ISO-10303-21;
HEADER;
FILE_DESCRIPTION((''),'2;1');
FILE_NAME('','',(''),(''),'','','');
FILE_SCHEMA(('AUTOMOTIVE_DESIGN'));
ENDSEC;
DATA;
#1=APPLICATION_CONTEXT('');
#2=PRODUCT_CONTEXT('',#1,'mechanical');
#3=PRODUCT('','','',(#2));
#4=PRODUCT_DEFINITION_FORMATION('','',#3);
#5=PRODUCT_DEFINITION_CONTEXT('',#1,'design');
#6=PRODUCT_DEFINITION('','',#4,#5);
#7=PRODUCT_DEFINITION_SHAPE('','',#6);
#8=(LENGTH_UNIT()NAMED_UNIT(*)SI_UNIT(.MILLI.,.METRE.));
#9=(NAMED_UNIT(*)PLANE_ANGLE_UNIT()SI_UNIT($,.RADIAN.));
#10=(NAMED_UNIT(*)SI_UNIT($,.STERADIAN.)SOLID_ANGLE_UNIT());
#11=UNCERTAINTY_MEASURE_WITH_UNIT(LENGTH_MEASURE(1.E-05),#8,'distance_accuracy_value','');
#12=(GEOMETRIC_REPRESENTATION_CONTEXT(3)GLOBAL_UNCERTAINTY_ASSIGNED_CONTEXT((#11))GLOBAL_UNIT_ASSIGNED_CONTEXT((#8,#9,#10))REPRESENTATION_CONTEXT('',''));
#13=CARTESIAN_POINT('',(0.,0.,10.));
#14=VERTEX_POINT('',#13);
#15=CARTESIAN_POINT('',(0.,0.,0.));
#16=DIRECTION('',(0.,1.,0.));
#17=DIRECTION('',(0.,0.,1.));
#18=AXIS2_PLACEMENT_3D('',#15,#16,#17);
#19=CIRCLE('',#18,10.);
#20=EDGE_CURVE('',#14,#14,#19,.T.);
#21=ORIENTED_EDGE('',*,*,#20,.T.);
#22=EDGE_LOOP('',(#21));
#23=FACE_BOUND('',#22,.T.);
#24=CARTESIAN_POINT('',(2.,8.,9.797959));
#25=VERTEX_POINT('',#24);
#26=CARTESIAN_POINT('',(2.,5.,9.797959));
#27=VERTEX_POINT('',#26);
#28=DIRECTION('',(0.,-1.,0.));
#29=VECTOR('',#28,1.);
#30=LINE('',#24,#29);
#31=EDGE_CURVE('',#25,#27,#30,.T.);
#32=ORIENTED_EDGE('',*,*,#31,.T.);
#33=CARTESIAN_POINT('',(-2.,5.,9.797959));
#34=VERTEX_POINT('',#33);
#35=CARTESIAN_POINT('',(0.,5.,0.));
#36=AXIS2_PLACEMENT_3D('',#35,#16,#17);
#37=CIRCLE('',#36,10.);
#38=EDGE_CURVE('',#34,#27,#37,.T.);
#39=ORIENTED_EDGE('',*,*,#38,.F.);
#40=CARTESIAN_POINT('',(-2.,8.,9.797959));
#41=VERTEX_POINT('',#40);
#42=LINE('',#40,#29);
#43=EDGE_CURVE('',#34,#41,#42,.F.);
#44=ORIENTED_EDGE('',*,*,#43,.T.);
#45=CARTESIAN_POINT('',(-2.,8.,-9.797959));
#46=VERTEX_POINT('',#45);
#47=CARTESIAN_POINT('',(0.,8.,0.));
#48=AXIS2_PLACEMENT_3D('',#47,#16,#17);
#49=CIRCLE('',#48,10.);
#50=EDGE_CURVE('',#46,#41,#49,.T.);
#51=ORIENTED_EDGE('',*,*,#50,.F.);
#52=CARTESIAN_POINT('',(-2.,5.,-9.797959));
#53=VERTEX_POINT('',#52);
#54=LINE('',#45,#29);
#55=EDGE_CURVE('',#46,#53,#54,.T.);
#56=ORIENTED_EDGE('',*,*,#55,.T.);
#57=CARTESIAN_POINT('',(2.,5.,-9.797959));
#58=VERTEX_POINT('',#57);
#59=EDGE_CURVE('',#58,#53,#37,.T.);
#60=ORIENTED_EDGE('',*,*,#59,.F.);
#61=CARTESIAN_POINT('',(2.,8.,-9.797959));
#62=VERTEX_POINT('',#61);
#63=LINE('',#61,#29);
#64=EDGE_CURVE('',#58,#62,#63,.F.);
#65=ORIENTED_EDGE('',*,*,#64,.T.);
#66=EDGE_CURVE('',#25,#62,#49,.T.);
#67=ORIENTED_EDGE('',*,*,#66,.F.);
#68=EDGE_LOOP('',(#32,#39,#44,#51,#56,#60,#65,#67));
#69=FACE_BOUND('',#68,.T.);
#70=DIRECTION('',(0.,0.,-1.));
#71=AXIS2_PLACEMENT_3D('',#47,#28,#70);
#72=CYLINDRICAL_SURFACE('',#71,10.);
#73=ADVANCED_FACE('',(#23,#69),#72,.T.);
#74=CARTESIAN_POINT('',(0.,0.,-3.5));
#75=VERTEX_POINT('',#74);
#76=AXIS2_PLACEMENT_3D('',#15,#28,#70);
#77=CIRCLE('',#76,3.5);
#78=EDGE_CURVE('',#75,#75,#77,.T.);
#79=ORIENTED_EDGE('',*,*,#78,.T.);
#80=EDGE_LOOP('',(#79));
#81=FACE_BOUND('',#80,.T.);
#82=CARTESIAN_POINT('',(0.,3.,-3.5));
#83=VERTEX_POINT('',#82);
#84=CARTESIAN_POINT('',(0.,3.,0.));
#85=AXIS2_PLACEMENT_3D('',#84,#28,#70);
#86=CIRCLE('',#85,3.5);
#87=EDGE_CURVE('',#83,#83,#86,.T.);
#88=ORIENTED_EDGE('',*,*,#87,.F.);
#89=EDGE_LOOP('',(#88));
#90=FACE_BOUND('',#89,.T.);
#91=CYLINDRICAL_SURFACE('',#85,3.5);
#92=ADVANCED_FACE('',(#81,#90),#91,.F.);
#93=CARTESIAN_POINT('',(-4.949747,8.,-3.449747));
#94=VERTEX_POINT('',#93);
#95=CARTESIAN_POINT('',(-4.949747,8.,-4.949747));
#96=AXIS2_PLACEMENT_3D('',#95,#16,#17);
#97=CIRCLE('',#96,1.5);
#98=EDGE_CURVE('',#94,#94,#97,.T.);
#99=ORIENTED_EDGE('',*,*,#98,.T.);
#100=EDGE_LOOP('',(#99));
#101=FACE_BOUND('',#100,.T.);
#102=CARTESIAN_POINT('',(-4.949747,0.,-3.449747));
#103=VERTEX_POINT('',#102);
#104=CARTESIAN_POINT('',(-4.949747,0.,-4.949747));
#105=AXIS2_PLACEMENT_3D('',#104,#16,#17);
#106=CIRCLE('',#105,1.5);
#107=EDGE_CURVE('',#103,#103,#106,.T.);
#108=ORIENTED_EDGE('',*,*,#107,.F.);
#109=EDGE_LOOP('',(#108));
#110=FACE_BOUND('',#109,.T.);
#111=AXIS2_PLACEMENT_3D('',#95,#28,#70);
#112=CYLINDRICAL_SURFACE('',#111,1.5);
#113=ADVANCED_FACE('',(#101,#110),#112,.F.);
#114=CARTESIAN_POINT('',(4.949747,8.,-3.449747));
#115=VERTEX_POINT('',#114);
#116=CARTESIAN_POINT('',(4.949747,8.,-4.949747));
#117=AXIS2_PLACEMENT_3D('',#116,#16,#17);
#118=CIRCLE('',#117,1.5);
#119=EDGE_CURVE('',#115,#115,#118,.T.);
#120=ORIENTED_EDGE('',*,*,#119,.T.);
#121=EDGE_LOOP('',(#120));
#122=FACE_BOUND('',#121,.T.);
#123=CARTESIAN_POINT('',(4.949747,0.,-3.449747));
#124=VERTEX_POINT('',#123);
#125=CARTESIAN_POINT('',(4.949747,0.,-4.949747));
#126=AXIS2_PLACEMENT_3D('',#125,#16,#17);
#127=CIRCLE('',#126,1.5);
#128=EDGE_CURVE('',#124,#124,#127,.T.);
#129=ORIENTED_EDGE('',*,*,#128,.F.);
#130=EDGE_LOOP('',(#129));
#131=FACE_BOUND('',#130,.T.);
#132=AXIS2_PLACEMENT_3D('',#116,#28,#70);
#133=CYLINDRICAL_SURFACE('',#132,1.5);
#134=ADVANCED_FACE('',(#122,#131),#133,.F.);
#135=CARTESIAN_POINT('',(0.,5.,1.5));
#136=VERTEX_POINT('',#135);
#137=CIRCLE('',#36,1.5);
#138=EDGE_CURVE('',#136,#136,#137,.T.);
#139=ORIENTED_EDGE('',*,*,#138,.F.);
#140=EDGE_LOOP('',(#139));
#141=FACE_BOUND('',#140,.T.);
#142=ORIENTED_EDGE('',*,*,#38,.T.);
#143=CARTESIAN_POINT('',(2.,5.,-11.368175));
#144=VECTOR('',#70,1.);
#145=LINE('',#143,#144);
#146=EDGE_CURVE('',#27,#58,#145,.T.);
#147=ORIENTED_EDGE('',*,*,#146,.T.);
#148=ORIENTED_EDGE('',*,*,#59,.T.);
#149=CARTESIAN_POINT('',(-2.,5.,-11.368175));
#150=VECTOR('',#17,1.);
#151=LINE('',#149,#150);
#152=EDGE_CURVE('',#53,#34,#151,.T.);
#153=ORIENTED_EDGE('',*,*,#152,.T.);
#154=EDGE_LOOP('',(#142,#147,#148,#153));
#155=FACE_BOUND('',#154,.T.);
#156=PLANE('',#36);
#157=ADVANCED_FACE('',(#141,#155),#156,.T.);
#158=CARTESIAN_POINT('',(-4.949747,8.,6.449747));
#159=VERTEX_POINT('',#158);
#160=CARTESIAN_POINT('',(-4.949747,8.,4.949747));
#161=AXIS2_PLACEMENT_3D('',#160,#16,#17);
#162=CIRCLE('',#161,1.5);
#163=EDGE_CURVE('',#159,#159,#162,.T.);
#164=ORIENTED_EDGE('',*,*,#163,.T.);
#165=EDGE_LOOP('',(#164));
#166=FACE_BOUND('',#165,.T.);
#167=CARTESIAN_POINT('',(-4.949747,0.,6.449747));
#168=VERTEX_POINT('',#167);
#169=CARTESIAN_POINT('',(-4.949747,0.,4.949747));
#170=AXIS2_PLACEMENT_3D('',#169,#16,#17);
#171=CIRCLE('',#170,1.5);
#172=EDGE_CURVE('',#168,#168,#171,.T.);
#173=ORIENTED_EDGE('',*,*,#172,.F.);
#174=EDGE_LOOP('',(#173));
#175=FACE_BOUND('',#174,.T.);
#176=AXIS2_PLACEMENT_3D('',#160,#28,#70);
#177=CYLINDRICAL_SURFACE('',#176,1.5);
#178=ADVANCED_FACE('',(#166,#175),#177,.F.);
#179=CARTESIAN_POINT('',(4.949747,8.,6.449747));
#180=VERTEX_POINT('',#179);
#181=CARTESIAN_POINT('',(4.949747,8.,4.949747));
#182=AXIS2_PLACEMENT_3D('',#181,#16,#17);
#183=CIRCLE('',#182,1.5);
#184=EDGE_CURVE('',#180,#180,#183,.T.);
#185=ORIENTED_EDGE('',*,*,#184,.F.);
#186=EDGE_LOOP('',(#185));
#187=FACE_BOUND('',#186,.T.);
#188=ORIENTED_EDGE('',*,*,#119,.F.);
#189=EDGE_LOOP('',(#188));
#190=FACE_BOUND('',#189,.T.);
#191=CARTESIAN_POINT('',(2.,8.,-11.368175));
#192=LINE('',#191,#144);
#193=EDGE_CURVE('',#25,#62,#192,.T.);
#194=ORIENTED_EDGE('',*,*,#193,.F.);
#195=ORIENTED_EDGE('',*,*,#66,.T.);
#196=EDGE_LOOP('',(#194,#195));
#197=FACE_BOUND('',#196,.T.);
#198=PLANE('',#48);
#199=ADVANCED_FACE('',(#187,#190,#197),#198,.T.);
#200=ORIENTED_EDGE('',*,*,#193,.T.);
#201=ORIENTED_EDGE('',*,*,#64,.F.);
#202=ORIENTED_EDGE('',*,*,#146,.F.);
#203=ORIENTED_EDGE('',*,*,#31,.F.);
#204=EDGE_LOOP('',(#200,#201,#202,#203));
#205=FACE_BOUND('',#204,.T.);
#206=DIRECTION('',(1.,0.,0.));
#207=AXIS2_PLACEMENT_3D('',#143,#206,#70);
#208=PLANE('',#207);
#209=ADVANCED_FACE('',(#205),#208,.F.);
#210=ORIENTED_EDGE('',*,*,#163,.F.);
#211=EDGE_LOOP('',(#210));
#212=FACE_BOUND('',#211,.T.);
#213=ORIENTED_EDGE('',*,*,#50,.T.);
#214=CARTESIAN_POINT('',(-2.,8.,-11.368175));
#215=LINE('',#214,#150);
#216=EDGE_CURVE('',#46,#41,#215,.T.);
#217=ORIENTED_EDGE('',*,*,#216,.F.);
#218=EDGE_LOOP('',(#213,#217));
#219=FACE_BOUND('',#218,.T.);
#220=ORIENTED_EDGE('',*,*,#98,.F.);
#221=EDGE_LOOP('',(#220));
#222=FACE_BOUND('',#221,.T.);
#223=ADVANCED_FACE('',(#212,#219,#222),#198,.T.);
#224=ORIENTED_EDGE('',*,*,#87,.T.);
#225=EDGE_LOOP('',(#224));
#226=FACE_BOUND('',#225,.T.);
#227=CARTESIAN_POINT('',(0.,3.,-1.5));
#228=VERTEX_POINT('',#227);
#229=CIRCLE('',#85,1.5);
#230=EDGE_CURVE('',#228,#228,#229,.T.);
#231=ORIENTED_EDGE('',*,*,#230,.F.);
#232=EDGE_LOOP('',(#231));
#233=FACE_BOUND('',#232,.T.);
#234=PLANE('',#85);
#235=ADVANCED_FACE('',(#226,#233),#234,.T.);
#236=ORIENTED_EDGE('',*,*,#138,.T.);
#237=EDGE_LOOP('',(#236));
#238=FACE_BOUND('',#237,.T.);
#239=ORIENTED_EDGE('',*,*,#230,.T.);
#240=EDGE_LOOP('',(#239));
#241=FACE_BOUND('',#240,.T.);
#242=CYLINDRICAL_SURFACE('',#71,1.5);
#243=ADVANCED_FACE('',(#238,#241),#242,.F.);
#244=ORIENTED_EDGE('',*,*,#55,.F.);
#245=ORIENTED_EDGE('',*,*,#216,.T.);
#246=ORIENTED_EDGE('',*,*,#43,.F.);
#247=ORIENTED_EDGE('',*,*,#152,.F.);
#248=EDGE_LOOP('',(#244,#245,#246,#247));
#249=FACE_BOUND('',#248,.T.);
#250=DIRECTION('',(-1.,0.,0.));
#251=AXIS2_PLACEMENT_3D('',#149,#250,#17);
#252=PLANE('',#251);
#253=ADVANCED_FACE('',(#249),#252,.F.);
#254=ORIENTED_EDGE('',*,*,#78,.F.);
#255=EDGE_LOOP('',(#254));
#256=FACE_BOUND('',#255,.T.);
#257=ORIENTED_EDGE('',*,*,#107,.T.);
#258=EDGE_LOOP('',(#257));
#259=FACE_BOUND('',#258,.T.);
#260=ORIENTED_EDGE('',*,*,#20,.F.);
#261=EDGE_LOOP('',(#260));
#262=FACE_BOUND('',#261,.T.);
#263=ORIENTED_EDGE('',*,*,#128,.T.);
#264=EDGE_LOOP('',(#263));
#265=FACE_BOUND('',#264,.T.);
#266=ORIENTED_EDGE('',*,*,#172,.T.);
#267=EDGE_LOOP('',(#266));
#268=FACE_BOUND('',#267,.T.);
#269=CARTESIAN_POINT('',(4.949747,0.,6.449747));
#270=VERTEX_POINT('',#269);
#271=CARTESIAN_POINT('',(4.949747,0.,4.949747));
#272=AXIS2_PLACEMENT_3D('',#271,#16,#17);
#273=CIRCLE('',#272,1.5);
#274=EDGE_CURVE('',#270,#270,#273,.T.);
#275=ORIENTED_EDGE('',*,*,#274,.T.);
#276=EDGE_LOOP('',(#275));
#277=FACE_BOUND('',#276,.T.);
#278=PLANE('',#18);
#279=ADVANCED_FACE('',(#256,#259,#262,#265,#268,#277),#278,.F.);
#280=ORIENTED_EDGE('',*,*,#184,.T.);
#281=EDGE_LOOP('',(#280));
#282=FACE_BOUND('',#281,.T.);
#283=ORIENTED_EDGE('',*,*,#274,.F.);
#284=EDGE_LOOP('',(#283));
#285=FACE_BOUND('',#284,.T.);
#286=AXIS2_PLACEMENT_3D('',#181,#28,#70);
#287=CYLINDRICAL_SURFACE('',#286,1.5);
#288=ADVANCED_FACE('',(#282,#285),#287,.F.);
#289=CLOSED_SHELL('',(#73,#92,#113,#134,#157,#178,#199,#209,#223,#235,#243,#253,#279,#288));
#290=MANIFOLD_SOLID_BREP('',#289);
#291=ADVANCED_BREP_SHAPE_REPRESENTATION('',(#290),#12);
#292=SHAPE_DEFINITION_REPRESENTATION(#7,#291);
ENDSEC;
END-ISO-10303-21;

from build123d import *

# Parameters (mm, degrees)
SKIZZE1_R                       = 10
SKIZZE1_R_2                     = 1.5
AUFSATZ_LINEAR_AUSTRAGEN1_DEPTH = 8
SKIZZE2_W                       = 4
SKIZZE2_H                       = 22.736350236
SCHNITT_LINEAR_AUSTRAGEN1_DEPTH = 3
SKIZZE3_R                       = 3.5
SCHNITT_LINEAR_AUSTRAGEN2_DEPTH = 3


with BuildPart() as part:
    # Skizze1 → Aufsatz-Linear austragen1 (new body)
    with BuildSketch(Plane(origin=(0, 0, 0), x_dir=(1, 0, 0), z_dir=(0, 1, 0))):
        Circle(SKIZZE1_R)
        with Locations((4.949747468, 4.949747468)):
            Circle(SKIZZE1_R_2, mode=Mode.SUBTRACT)
        with Locations((-4.949747468, 4.949747468)):
            Circle(SKIZZE1_R_2, mode=Mode.SUBTRACT)
        with Locations((-4.949747468, -4.949747468)):
            Circle(SKIZZE1_R_2, mode=Mode.SUBTRACT)
        with Locations((4.949747468, -4.949747468)):
            Circle(SKIZZE1_R_2, mode=Mode.SUBTRACT)
        Circle(SKIZZE1_R_2, mode=Mode.SUBTRACT)
    extrude(amount=AUFSATZ_LINEAR_AUSTRAGEN1_DEPTH)

    # Skizze2 → Schnitt-Linear austragen1 (cut)
    with BuildSketch(Plane(origin=(0, 8, 0), x_dir=(1, 0, 0), z_dir=(0, 1, 0))):
        Rectangle(SKIZZE2_W, SKIZZE2_H)
    extrude(amount=-SCHNITT_LINEAR_AUSTRAGEN1_DEPTH, mode=Mode.SUBTRACT)

    # Skizze3 → Schnitt-Linear austragen2 (cut)
    with BuildSketch(Plane.XZ):
        Circle(SKIZZE3_R)
    extrude(amount=-SCHNITT_LINEAR_AUSTRAGEN2_DEPTH, mode=Mode.SUBTRACT)


solid = part.part
